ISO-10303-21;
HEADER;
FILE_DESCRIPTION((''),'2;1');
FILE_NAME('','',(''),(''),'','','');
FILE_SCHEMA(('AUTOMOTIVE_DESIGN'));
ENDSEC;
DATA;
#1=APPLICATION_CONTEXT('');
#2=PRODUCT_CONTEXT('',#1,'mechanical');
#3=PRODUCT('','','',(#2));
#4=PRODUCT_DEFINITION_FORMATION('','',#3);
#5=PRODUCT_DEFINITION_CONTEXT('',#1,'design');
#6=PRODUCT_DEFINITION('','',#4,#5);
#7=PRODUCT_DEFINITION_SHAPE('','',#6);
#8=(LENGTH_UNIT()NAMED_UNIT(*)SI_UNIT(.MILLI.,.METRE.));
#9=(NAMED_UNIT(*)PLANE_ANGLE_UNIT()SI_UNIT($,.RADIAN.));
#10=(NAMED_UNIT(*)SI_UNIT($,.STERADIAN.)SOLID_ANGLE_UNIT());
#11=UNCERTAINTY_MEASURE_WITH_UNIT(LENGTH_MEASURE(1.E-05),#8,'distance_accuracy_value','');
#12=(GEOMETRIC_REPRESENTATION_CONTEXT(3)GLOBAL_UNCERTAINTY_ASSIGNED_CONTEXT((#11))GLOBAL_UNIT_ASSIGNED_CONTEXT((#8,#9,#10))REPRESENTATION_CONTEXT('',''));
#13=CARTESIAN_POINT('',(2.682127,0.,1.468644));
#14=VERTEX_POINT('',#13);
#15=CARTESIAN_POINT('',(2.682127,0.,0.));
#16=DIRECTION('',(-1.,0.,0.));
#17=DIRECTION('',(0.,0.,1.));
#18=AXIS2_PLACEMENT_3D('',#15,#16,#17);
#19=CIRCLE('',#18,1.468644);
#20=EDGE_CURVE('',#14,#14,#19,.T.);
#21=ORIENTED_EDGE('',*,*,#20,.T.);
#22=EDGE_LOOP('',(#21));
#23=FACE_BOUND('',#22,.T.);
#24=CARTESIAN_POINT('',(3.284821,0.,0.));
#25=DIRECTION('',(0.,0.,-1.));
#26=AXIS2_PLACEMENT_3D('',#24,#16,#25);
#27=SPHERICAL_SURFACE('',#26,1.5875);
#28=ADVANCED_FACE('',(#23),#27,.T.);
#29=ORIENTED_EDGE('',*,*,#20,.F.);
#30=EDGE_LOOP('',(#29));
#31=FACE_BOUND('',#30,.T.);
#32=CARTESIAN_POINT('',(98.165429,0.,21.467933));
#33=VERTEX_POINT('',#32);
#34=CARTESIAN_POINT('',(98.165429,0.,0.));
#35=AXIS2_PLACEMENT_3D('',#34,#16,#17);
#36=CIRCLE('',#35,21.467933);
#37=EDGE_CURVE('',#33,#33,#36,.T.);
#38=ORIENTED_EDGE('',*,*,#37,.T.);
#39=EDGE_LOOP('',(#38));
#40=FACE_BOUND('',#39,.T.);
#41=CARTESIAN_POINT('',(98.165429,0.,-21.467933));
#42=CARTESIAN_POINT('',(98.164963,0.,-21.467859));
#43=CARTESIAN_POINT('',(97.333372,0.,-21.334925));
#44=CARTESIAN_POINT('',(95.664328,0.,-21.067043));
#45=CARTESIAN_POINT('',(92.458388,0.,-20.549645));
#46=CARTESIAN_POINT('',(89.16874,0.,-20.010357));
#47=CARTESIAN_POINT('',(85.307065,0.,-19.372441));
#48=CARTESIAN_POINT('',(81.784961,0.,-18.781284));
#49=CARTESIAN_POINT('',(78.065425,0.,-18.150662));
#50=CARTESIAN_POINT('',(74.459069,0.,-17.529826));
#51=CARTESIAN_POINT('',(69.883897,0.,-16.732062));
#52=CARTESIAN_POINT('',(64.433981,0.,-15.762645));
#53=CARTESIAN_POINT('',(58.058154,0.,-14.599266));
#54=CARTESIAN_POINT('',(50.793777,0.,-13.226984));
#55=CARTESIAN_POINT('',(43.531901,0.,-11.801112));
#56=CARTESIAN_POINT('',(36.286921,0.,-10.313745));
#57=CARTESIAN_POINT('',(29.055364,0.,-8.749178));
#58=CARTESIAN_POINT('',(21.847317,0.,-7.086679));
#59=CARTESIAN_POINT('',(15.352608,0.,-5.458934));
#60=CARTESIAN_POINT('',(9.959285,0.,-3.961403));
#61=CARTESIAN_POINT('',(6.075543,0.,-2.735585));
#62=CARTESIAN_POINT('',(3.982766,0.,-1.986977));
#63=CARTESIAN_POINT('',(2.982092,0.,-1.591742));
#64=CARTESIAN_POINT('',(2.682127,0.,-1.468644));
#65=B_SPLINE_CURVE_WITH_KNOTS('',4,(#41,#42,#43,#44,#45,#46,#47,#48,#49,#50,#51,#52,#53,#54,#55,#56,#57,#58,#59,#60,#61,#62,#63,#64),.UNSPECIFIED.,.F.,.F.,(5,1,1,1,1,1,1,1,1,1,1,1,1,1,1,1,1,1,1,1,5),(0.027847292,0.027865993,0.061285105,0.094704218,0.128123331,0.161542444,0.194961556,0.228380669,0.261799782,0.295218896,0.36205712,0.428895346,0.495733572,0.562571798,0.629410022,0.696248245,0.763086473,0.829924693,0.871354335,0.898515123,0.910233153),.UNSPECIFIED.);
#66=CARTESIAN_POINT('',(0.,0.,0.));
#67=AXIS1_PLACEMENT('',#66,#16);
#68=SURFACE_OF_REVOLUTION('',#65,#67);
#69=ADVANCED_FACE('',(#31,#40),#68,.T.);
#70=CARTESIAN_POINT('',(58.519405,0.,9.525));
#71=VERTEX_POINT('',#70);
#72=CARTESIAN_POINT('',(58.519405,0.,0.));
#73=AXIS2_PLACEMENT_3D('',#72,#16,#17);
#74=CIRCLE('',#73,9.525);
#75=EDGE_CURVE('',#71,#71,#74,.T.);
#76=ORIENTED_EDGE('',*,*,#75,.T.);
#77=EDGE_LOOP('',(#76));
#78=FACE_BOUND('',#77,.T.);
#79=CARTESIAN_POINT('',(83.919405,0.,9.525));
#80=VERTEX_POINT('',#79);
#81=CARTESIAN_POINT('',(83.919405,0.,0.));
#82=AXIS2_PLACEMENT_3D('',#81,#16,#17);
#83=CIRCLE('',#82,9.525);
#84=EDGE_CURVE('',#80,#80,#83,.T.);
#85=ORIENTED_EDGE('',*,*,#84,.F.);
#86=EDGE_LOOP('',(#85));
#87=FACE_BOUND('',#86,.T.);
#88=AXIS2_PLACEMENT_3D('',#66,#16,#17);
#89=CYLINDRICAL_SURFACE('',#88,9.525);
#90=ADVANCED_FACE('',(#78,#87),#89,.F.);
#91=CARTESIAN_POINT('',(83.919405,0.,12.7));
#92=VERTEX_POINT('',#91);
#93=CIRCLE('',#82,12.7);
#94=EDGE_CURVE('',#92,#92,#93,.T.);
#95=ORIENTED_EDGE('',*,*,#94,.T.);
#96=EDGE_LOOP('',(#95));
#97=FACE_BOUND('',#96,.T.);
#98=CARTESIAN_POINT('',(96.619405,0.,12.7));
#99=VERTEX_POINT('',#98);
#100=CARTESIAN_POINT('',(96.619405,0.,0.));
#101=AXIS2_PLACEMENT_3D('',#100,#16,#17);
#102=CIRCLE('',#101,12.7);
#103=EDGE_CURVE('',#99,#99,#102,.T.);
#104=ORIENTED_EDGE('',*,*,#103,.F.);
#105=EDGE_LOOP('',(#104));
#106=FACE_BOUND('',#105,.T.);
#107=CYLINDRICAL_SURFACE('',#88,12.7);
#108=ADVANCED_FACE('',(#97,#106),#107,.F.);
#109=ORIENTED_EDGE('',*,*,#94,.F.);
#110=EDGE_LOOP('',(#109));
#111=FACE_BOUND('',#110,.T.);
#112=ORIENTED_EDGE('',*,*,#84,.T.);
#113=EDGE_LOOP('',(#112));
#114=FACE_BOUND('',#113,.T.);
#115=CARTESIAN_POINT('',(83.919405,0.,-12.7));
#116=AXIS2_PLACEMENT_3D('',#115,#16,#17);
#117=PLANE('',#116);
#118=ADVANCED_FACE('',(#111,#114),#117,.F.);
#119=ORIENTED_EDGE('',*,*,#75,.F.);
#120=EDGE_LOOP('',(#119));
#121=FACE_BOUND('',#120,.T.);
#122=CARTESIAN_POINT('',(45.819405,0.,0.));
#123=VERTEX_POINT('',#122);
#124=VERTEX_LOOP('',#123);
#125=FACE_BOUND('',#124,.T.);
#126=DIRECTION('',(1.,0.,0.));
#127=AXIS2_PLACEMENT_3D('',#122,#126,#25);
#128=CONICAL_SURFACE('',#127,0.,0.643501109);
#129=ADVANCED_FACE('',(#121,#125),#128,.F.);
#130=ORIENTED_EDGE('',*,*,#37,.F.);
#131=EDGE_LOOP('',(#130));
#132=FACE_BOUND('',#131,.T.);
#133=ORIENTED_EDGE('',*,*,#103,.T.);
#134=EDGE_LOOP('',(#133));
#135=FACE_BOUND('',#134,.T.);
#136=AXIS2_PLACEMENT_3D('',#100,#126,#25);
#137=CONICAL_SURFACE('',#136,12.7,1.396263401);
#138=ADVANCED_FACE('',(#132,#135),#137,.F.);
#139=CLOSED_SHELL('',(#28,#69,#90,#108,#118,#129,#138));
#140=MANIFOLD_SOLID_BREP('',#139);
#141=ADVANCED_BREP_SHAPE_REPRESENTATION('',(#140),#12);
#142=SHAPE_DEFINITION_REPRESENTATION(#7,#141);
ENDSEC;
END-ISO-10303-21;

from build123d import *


with BuildPart() as part:
    # Sketch1 → Revolve2 (revolve)
    with BuildSketch(Plane(origin=(0, 0, 0), x_dir=(1, 0, 0), z_dir=(0, 1, 0)), mode=Mode.PRIVATE) as revolve2_sk:
        with BuildLine():
            Line((1.697321091, 0), (45.819405393, 0))
            Line((45.819405393, 0), (58.519405393, 9.525))
            Line((58.519405393, 9.525), (83.919405393, 9.525))
            Line((83.919405393, 9.525), (83.919405393, 12.7))
            Line((83.919405393, 12.7), (96.619405393, 12.7))
            Line((96.619405393, 12.7), (98.165428581, 21.4679332))
            add(Edge.make_bspline(
                [(2.682127148, 1.468644362), (2.982092127, 1.591742283), (3.982765764, 1.986976913), (6.075542743, 2.735585346), (9.959285205, 3.961402854), (15.35260807, 5.458934046), (21.847317263, 7.086678944), (29.055363889, 8.749177841), (36.286920774, 10.313744718), (43.531901048, 11.801111844), (50.793776988, 13.226984496), (58.058153921, 14.599266319), (64.433980883, 15.762645369), (69.883896781, 16.732062359), (74.459068804, 17.529825957), (78.065425347, 18.150661812), (81.784961377, 18.781283529), (85.307065103, 19.372441088), (89.168740248, 20.010357493), (92.45838759, 20.54964543), (95.664328261, 21.067043036), (97.333372349, 21.334925019), (98.164963492, 21.467858845), (98.165428581, 21.4679332)],
                knots=[0.027847292, 0.027847292, 0.027847292, 0.027847292, 0.027847292, 0.039565322, 0.06672611, 0.108155752, 0.174993972, 0.2418322, 0.308670423, 0.375508647, 0.442346873, 0.509185099, 0.576023325, 0.642861549, 0.676280662, 0.709699776, 0.743118888, 0.776538001, 0.809957114, 0.843376227, 0.87679534, 0.910214452, 0.910233153, 0.910233153, 0.910233153, 0.910233153, 0.910233153], degree=4))
            ThreePointArc((2.682127148, 1.468644362), (1.966311917, 0.884132234), (1.697321091, 0))
        make_face()
    revolve(revolve2_sk.sketch.rotate(Axis((0, 0, 0), (1, 0, 0)), 180), axis=Axis((0, 0, 0), (1, 0, 0)))


solid = part.part
